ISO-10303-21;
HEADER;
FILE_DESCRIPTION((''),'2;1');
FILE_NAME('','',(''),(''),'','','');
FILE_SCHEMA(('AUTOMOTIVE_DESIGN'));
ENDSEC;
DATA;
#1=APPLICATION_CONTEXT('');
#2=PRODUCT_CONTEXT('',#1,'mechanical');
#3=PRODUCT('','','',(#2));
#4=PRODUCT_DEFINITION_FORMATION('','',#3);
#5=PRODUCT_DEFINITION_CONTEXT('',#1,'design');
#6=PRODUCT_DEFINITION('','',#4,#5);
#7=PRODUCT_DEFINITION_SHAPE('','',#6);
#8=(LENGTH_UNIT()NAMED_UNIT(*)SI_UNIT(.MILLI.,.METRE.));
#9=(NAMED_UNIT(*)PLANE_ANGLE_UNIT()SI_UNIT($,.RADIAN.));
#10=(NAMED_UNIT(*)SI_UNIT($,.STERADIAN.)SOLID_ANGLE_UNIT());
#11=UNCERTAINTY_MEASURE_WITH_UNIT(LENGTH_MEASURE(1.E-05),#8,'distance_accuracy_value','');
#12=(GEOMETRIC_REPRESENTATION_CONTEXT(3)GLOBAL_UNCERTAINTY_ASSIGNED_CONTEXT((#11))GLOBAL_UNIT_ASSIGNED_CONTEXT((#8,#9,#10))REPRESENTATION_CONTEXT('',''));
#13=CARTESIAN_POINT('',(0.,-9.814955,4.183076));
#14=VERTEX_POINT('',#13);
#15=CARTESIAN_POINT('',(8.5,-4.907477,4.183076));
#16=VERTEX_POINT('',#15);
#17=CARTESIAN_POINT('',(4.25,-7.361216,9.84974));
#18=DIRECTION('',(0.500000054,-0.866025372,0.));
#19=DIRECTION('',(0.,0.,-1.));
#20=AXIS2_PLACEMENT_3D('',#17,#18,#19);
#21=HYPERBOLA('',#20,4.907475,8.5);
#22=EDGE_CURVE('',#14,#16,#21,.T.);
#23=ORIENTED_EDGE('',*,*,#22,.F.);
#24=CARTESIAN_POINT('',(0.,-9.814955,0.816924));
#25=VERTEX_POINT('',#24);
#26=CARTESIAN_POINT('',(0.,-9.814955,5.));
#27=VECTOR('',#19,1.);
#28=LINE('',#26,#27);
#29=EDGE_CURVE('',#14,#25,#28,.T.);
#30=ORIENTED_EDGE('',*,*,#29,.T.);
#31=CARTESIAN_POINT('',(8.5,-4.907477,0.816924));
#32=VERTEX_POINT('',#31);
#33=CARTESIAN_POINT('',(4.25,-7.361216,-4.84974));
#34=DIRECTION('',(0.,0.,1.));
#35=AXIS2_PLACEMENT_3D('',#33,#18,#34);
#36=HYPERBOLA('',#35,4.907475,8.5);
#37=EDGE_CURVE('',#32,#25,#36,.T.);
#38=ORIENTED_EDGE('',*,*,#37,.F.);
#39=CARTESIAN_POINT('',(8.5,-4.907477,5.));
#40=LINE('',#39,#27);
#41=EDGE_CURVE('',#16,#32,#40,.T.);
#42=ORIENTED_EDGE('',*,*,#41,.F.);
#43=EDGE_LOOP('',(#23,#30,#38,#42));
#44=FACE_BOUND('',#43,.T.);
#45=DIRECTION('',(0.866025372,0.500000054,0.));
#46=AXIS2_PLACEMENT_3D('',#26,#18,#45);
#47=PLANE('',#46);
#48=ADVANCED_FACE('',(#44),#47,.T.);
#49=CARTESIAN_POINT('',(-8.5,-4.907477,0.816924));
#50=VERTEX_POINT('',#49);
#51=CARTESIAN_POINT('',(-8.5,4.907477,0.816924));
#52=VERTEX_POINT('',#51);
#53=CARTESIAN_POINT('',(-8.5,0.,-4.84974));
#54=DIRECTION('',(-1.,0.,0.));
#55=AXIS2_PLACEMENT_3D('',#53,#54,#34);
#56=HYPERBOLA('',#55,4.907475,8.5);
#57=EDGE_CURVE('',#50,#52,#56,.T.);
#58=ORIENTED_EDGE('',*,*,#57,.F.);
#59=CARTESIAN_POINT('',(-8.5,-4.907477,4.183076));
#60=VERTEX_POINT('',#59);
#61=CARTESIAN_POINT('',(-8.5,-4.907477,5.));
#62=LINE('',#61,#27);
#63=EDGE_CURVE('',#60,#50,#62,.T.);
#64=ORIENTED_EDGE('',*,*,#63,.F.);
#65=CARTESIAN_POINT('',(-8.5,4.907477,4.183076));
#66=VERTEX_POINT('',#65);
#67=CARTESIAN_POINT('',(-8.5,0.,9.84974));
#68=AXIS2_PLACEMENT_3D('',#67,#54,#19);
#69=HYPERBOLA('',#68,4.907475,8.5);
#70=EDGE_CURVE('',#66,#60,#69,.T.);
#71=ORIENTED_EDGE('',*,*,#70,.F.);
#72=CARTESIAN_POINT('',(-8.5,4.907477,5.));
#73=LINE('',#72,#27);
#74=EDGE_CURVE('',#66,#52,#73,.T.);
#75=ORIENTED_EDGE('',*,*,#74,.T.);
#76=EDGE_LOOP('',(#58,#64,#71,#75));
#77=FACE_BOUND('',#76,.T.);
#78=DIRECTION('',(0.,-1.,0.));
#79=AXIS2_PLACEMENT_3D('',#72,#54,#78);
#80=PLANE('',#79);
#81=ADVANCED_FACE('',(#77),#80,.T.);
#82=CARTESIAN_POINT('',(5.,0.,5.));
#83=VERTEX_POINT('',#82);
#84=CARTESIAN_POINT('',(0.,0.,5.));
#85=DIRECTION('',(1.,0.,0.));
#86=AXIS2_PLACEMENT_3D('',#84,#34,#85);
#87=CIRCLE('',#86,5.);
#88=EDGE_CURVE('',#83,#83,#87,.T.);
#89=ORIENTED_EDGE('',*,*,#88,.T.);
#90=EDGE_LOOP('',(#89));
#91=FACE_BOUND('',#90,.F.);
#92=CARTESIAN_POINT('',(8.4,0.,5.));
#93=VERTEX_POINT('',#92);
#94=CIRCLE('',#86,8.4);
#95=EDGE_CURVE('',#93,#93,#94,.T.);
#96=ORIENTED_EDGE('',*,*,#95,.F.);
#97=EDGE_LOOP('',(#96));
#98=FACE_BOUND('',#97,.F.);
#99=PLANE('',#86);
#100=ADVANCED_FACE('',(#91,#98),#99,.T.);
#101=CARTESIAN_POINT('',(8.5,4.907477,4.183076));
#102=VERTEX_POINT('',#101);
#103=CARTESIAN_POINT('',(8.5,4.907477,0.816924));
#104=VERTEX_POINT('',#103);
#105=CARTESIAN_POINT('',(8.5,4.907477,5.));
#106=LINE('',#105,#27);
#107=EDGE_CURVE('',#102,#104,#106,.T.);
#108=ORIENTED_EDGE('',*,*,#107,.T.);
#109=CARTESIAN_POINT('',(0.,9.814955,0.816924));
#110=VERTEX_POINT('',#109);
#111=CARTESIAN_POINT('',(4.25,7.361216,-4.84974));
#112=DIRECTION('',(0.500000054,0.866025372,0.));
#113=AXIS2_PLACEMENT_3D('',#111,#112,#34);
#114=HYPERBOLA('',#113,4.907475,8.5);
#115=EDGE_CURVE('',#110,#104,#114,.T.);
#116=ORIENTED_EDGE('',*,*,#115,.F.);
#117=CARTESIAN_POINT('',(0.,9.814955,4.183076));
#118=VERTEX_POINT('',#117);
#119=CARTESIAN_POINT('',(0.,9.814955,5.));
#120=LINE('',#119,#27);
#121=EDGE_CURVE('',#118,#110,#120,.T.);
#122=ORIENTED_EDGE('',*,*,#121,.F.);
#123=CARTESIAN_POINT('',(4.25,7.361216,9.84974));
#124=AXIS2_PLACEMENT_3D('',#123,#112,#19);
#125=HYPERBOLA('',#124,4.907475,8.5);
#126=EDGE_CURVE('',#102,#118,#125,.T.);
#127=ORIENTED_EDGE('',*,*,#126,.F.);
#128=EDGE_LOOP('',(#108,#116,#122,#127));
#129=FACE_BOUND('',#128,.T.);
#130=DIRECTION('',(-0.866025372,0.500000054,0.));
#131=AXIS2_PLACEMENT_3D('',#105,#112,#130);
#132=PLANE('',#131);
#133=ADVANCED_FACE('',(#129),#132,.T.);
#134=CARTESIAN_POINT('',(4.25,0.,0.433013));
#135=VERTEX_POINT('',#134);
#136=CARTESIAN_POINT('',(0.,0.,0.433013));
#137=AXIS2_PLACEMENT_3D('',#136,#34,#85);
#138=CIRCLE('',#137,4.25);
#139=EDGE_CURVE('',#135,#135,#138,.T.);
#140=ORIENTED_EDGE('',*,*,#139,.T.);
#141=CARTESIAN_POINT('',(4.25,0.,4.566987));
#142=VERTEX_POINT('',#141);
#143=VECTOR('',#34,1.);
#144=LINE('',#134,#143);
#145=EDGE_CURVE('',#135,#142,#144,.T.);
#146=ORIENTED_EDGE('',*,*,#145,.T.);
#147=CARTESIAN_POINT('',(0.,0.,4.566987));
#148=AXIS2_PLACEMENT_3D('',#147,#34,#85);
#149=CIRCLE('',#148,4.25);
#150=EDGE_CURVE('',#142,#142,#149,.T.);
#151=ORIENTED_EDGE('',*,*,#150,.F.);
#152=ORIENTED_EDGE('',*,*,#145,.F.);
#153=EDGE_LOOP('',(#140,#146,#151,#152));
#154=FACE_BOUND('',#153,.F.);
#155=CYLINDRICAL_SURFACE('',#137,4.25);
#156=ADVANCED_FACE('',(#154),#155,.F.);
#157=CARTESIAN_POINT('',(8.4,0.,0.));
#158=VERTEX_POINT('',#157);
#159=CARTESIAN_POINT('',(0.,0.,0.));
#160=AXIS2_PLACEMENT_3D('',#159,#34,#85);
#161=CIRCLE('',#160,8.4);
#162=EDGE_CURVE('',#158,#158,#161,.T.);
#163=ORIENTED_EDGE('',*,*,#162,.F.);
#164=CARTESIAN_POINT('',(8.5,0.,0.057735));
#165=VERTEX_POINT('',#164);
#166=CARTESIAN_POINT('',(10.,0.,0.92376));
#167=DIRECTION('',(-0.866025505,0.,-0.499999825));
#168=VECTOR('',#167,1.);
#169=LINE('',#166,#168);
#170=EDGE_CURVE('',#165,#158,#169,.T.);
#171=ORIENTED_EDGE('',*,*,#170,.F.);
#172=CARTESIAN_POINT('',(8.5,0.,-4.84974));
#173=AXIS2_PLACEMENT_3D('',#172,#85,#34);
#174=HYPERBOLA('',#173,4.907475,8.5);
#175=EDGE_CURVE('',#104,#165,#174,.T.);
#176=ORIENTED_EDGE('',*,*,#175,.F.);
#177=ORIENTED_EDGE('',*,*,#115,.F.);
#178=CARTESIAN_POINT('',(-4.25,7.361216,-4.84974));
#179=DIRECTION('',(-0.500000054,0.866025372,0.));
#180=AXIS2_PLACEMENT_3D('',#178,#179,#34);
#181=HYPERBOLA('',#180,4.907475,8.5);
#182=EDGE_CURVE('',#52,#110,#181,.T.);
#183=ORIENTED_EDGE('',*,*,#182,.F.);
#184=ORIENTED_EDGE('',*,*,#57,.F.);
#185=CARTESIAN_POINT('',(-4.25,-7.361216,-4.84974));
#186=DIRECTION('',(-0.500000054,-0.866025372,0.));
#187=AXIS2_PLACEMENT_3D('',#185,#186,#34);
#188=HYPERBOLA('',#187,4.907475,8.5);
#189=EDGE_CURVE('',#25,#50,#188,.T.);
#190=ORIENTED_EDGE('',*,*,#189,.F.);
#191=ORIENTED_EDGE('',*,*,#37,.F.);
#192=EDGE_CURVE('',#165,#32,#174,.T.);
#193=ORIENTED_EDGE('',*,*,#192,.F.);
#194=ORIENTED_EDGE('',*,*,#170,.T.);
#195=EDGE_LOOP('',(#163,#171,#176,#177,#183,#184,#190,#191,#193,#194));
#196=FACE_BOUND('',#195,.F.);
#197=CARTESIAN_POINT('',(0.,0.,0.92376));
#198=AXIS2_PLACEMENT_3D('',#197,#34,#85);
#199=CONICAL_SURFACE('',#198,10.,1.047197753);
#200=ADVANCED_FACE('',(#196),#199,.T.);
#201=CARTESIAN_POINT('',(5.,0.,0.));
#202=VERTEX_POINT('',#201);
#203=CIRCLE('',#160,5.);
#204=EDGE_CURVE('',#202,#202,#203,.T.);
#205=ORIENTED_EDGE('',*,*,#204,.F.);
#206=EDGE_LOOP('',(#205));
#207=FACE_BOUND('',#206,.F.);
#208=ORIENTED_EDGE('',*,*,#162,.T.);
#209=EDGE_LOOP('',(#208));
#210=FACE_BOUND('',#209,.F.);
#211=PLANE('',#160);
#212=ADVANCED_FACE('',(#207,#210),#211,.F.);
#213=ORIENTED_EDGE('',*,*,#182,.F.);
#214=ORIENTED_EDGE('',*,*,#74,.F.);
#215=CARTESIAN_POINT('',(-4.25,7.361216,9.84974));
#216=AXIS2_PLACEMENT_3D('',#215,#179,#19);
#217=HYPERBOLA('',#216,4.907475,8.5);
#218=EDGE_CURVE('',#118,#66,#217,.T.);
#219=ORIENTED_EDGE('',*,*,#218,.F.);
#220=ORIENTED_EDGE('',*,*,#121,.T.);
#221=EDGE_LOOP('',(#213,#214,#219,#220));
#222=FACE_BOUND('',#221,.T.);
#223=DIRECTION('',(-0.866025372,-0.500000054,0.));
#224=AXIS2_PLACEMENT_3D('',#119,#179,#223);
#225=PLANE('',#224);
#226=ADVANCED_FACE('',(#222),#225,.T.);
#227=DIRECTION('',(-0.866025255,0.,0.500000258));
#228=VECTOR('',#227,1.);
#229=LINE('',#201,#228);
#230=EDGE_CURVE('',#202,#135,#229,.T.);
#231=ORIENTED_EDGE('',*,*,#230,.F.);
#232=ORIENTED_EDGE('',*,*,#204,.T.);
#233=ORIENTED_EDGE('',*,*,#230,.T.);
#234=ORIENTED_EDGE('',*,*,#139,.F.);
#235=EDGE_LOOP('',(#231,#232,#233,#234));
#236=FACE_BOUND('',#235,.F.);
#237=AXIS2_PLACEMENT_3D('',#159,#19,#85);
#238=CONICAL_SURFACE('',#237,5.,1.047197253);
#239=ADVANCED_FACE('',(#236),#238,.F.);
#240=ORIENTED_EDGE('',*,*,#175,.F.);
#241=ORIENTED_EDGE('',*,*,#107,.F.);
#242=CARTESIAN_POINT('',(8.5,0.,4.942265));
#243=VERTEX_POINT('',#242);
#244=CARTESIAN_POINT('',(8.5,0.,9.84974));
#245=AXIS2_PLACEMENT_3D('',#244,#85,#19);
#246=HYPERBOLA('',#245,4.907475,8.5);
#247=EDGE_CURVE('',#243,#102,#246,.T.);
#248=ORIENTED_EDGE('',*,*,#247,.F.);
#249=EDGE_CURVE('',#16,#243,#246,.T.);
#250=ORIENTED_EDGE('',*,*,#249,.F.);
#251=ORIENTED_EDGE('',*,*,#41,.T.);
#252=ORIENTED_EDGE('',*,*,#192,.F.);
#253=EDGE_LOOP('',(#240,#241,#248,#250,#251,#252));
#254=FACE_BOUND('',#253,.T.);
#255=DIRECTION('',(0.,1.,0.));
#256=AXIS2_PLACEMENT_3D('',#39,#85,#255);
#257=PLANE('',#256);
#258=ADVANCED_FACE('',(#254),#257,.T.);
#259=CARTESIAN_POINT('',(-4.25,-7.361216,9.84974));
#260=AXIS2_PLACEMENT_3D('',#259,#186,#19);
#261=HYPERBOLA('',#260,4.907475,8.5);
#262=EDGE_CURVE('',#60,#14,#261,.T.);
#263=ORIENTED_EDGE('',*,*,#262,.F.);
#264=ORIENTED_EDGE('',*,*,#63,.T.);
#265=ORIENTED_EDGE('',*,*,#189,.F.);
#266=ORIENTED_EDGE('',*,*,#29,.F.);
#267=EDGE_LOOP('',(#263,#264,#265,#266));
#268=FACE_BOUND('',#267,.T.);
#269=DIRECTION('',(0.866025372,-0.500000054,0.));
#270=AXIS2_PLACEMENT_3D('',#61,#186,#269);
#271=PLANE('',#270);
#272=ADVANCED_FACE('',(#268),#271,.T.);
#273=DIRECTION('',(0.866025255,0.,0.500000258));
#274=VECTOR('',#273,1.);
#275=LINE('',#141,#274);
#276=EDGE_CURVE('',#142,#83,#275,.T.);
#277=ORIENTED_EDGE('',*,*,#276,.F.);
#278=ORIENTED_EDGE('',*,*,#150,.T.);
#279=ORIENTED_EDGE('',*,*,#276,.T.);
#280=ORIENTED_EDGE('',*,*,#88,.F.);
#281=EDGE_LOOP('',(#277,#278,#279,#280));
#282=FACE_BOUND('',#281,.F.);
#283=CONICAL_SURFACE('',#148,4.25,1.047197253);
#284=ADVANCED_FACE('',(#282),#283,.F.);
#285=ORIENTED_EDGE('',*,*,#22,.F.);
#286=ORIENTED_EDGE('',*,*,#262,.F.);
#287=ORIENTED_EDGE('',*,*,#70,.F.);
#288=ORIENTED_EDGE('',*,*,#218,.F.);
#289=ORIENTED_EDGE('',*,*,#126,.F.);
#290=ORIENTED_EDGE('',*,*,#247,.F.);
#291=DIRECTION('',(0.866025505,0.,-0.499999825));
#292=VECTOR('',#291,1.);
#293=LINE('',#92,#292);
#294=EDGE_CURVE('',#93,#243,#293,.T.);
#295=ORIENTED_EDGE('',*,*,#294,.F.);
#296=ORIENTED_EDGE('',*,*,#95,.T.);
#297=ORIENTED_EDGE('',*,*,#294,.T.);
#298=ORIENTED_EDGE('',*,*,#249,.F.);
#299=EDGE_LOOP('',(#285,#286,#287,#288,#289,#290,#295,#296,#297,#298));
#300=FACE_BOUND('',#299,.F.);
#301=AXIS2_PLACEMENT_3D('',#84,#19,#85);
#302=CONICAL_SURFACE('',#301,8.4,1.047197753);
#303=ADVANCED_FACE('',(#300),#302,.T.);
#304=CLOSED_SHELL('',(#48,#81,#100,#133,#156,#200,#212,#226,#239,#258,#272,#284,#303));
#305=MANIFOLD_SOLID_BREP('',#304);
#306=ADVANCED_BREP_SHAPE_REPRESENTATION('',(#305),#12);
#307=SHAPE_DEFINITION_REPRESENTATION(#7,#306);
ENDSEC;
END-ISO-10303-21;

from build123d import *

# Parameters (mm, degrees)
SKETCH001_R  = 10
POCKET_DEPTH = 5


with BuildPart() as part:
    # Sketch → Revolution (revolve)
    with BuildSketch(Plane.XZ):
        Polygon((5, 0), (4.25, 0.433013), (4.25, 4.566987), (5, 5), (8.4, 5), (10, 4.07624), (10, 0.92376), (8.4, 0), align=None)
    revolve(axis=Axis((0, 0, 0), (0, 0, 1)))

    # Sketch001 → Pocket (cut)
    with BuildSketch(Plane(origin=(0, 0, 5), x_dir=(-1, 0, 0), z_dir=(0, 0, 1))):
        Circle(SKETCH001_R)
        Polygon((-8.5, 4.907477), (-8.5, -4.907477), (0, -9.814955), (8.5, -4.907477), (8.5, 4.907477), (0, 9.814955), align=None, mode=Mode.SUBTRACT)
    extrude(amount=-POCKET_DEPTH, mode=Mode.SUBTRACT)


solid = part.part
